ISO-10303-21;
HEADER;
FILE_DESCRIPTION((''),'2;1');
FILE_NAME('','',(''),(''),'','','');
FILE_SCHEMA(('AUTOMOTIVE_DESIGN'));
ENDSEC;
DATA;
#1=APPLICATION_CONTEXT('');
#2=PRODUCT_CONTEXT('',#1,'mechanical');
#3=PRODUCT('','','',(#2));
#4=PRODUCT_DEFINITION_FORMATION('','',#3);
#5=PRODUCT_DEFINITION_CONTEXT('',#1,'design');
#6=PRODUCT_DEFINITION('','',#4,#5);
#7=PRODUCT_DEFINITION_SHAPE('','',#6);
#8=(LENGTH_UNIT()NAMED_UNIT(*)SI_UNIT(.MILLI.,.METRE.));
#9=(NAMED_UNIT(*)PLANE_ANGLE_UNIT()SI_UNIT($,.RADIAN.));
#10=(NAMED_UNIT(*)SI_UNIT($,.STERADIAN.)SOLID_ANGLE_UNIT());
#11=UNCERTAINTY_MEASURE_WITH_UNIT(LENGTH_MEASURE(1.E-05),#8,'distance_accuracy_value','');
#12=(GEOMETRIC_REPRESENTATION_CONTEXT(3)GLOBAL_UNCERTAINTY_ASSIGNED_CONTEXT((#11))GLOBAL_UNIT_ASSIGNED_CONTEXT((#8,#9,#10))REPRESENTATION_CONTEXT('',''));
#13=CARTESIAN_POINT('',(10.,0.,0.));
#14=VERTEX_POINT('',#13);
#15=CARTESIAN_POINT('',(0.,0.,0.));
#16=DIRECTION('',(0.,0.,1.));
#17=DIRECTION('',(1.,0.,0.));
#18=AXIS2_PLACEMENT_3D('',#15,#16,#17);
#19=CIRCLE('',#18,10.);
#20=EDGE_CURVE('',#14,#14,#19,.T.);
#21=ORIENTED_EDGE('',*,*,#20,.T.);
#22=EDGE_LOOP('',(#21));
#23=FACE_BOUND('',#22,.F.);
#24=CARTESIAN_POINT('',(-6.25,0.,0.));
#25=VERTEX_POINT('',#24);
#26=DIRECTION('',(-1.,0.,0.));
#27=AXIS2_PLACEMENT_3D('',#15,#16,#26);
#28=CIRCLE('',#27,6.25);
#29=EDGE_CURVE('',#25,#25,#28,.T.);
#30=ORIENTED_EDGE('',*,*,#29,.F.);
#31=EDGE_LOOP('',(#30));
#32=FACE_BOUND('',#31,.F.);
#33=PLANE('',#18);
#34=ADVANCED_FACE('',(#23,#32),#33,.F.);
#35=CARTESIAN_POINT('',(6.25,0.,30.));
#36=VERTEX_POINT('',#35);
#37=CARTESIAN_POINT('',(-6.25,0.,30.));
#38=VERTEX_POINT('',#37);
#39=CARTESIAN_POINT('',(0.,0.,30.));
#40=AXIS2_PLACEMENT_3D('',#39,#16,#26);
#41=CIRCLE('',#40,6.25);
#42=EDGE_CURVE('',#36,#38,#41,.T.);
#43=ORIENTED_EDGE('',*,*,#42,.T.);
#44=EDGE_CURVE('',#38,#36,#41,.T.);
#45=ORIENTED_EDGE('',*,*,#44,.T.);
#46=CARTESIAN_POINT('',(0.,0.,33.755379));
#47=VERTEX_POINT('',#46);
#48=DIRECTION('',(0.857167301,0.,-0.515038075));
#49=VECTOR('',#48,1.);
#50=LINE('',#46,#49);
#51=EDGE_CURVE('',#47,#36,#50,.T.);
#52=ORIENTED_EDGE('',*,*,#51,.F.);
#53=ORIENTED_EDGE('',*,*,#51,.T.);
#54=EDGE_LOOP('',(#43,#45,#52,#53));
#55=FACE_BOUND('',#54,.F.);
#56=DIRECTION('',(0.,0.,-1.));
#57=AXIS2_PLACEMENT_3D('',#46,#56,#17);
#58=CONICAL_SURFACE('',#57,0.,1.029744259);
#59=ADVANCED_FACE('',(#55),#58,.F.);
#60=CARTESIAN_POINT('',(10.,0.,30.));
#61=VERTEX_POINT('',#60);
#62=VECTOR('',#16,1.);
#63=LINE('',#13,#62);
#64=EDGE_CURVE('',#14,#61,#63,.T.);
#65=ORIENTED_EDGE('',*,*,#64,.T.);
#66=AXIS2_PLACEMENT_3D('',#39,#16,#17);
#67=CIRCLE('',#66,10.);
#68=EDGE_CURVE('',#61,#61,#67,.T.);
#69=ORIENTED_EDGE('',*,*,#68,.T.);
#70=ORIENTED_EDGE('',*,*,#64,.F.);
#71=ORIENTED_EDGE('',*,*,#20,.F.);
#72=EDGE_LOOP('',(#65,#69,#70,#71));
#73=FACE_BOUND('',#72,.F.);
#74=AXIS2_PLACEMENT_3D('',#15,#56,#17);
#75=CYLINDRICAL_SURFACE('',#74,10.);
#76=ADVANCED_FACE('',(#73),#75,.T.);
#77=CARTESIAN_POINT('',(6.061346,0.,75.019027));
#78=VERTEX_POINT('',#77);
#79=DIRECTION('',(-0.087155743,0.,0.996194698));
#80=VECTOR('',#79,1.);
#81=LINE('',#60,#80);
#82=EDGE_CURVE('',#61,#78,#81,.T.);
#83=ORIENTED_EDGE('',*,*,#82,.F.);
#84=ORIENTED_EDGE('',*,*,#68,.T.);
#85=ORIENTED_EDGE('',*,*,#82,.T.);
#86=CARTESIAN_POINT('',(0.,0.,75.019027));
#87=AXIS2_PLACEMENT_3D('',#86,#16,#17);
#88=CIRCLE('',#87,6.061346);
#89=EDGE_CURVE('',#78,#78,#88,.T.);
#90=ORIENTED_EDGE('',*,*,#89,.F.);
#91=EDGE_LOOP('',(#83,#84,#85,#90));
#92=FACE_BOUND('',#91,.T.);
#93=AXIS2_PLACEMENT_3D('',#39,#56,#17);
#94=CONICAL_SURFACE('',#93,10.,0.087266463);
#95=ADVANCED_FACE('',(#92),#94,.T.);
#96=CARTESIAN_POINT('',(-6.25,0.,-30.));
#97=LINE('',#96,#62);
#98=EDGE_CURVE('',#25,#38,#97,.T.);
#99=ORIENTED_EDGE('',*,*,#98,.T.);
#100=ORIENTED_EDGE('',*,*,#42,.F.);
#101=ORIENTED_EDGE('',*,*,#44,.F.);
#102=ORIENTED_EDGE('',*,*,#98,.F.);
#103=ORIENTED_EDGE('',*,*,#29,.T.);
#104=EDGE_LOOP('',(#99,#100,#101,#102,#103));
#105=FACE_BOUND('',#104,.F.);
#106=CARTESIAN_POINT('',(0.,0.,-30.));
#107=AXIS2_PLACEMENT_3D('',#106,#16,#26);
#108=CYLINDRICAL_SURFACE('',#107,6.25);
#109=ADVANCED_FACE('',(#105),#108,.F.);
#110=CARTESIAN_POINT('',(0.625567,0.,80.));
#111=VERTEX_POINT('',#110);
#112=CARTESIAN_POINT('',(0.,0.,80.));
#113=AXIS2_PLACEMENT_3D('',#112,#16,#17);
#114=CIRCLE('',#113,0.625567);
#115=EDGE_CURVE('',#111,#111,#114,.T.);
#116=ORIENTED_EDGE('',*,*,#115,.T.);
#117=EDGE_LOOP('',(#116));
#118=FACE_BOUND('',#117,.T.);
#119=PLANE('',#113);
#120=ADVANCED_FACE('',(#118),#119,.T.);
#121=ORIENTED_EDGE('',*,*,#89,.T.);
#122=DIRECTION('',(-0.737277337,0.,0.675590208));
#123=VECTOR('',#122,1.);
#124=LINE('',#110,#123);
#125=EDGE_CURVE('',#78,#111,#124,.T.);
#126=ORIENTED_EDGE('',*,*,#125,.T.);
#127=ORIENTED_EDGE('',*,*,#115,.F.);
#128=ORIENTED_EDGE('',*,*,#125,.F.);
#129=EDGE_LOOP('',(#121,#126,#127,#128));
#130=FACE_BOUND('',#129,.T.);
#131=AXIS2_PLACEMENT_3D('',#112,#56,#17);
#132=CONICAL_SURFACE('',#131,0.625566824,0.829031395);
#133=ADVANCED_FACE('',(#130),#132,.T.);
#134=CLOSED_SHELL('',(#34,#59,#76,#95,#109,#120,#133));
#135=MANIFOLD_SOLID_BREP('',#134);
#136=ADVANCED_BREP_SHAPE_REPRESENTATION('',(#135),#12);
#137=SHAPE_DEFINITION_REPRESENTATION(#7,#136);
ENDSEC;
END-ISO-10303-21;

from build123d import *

# Parameters (mm, degrees)
F0_R     = 10
F1_DEPTH = 80
F2_SIZE2 = 4.3744331763
F2_SIZE  = 50
F3_SIZE  = 5
F5_D     = 12.5
F5_DEPTH = 30
F5_TIP   = 3.7553788689


with BuildPart() as f1:
    # F0 (on Top) → F1 (new body)
    with BuildSketch(Plane.XY):
        Circle(F0_R)
    extrude(amount=F1_DEPTH)

    # F2
    f2_edges = [f1.edges().sort_by_distance(p)[0] for p in [
        (-10, 0, 80),
    ]]
    f2_side = f1.faces().sort_by_distance((-10, 0, 40))[0]
    chamfer(f2_edges, length=F2_SIZE, length2=F2_SIZE2, reference=f2_side)

    # F3
    f3_edges = [f1.edges().sort_by_distance(p)[0] for p in [
        (-5.625567, 0, 80),
    ]]
    chamfer(f3_edges, length=F3_SIZE)

    # F5
    with Locations(Plane(origin=(0, 0, 0), x_dir=(1, 0, 0), z_dir=(0, 0, -1))):
        with Locations((0, 0)):
            Hole(F5_D / 2, depth=F5_DEPTH)
            with Locations((0, 0, -(F5_DEPTH + F5_TIP / 2))):  # 118° drill point
                Cone(0, F5_D / 2, F5_TIP, mode=Mode.SUBTRACT)


solid = f1.part
